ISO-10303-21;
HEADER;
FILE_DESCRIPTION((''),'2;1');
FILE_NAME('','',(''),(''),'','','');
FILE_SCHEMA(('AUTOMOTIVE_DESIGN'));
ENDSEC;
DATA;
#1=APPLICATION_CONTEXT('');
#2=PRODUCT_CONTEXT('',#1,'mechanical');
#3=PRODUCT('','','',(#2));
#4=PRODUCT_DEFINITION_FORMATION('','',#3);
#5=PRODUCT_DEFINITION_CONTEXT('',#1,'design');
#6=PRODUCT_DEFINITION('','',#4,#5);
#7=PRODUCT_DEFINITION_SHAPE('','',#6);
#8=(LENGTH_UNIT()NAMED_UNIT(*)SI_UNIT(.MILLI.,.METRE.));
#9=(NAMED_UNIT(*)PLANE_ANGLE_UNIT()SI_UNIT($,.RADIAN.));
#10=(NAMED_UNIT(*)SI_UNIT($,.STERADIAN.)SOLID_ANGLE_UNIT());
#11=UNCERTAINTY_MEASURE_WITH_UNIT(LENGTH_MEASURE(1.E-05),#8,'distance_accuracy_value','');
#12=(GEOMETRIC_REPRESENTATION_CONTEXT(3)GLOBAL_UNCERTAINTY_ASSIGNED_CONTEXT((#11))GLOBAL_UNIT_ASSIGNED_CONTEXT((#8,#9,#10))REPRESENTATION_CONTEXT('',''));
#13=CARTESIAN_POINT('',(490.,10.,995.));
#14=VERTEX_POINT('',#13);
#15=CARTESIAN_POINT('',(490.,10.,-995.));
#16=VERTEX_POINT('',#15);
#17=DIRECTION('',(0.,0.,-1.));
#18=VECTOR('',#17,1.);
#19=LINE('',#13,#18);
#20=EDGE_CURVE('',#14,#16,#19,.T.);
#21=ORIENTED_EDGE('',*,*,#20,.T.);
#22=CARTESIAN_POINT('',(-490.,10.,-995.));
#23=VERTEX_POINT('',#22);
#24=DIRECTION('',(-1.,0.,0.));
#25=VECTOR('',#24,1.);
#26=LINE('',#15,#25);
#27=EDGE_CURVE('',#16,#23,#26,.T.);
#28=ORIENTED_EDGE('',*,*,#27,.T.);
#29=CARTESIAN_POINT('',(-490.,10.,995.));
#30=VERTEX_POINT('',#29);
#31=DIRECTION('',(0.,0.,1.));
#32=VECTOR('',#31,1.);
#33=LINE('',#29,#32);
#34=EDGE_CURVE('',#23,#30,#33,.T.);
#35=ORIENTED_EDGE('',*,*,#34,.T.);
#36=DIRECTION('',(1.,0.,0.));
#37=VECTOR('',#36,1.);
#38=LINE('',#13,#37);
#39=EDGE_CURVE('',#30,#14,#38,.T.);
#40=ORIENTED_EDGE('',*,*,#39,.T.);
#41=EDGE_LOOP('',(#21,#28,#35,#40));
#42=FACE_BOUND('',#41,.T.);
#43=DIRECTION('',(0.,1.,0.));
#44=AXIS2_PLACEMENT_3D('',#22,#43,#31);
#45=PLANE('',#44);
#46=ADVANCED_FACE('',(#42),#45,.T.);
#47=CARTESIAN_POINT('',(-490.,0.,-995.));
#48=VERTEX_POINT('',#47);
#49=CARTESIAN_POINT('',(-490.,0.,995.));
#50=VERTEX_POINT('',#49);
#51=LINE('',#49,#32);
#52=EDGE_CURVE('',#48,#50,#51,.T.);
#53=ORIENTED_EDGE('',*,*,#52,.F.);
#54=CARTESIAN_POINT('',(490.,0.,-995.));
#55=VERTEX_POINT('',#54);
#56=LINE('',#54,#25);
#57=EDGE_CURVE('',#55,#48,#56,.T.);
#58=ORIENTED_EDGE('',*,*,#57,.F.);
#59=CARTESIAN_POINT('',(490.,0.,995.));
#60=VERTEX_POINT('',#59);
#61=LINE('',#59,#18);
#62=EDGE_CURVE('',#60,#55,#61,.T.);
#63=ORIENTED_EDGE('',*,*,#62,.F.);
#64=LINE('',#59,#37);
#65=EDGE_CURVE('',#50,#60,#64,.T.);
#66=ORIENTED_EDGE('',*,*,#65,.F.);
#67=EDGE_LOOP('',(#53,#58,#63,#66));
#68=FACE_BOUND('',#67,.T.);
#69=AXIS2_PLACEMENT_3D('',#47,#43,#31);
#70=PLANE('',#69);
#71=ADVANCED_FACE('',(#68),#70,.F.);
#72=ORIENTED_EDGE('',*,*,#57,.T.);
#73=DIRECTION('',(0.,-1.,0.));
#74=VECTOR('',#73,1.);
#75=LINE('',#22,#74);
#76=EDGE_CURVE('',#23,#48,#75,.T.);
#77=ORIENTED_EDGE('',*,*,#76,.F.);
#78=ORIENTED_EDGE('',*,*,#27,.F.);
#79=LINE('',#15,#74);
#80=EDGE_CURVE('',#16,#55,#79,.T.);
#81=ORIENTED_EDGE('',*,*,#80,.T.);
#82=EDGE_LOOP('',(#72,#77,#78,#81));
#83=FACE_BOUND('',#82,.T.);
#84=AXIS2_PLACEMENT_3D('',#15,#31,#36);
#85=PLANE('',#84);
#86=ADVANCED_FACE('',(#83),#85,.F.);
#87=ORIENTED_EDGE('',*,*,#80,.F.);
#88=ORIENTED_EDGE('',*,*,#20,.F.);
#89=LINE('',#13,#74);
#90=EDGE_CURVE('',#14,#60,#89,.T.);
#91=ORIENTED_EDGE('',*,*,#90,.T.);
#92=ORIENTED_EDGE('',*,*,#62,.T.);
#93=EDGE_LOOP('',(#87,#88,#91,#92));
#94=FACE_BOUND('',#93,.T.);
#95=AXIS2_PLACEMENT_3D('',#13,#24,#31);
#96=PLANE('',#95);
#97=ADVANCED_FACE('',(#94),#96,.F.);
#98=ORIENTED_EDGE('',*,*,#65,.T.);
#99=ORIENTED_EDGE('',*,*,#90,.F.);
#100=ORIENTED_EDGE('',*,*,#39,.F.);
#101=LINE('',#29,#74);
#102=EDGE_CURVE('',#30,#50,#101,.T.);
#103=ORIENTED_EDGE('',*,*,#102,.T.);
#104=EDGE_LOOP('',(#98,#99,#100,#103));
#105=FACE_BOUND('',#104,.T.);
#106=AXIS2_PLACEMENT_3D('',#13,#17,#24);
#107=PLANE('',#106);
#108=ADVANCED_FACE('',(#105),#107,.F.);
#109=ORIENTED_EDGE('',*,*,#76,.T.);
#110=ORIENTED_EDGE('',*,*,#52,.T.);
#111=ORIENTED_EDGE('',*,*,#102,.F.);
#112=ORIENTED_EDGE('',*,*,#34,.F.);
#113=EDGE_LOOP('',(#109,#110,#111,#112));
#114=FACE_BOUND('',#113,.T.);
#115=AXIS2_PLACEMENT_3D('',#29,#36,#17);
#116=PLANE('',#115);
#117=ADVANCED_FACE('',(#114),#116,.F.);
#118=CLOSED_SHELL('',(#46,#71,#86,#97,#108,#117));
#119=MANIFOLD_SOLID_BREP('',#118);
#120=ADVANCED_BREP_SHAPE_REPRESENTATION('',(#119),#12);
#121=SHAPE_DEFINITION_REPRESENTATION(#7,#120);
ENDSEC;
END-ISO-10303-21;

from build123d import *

# Parameters (mm, degrees)
CROQUIS1_W     = 980
CROQUIS1_H     = 1990
EXTRUIR1_DEPTH = 10


with BuildPart() as part:
    # Croquis1 → Extruir1 (new body)
    with BuildSketch(Plane(origin=(0, 0, 0), x_dir=(1, 0, 0), z_dir=(0, 1, 0))):
        Rectangle(CROQUIS1_W, CROQUIS1_H)
    extrude(amount=EXTRUIR1_DEPTH)


solid = part.part
